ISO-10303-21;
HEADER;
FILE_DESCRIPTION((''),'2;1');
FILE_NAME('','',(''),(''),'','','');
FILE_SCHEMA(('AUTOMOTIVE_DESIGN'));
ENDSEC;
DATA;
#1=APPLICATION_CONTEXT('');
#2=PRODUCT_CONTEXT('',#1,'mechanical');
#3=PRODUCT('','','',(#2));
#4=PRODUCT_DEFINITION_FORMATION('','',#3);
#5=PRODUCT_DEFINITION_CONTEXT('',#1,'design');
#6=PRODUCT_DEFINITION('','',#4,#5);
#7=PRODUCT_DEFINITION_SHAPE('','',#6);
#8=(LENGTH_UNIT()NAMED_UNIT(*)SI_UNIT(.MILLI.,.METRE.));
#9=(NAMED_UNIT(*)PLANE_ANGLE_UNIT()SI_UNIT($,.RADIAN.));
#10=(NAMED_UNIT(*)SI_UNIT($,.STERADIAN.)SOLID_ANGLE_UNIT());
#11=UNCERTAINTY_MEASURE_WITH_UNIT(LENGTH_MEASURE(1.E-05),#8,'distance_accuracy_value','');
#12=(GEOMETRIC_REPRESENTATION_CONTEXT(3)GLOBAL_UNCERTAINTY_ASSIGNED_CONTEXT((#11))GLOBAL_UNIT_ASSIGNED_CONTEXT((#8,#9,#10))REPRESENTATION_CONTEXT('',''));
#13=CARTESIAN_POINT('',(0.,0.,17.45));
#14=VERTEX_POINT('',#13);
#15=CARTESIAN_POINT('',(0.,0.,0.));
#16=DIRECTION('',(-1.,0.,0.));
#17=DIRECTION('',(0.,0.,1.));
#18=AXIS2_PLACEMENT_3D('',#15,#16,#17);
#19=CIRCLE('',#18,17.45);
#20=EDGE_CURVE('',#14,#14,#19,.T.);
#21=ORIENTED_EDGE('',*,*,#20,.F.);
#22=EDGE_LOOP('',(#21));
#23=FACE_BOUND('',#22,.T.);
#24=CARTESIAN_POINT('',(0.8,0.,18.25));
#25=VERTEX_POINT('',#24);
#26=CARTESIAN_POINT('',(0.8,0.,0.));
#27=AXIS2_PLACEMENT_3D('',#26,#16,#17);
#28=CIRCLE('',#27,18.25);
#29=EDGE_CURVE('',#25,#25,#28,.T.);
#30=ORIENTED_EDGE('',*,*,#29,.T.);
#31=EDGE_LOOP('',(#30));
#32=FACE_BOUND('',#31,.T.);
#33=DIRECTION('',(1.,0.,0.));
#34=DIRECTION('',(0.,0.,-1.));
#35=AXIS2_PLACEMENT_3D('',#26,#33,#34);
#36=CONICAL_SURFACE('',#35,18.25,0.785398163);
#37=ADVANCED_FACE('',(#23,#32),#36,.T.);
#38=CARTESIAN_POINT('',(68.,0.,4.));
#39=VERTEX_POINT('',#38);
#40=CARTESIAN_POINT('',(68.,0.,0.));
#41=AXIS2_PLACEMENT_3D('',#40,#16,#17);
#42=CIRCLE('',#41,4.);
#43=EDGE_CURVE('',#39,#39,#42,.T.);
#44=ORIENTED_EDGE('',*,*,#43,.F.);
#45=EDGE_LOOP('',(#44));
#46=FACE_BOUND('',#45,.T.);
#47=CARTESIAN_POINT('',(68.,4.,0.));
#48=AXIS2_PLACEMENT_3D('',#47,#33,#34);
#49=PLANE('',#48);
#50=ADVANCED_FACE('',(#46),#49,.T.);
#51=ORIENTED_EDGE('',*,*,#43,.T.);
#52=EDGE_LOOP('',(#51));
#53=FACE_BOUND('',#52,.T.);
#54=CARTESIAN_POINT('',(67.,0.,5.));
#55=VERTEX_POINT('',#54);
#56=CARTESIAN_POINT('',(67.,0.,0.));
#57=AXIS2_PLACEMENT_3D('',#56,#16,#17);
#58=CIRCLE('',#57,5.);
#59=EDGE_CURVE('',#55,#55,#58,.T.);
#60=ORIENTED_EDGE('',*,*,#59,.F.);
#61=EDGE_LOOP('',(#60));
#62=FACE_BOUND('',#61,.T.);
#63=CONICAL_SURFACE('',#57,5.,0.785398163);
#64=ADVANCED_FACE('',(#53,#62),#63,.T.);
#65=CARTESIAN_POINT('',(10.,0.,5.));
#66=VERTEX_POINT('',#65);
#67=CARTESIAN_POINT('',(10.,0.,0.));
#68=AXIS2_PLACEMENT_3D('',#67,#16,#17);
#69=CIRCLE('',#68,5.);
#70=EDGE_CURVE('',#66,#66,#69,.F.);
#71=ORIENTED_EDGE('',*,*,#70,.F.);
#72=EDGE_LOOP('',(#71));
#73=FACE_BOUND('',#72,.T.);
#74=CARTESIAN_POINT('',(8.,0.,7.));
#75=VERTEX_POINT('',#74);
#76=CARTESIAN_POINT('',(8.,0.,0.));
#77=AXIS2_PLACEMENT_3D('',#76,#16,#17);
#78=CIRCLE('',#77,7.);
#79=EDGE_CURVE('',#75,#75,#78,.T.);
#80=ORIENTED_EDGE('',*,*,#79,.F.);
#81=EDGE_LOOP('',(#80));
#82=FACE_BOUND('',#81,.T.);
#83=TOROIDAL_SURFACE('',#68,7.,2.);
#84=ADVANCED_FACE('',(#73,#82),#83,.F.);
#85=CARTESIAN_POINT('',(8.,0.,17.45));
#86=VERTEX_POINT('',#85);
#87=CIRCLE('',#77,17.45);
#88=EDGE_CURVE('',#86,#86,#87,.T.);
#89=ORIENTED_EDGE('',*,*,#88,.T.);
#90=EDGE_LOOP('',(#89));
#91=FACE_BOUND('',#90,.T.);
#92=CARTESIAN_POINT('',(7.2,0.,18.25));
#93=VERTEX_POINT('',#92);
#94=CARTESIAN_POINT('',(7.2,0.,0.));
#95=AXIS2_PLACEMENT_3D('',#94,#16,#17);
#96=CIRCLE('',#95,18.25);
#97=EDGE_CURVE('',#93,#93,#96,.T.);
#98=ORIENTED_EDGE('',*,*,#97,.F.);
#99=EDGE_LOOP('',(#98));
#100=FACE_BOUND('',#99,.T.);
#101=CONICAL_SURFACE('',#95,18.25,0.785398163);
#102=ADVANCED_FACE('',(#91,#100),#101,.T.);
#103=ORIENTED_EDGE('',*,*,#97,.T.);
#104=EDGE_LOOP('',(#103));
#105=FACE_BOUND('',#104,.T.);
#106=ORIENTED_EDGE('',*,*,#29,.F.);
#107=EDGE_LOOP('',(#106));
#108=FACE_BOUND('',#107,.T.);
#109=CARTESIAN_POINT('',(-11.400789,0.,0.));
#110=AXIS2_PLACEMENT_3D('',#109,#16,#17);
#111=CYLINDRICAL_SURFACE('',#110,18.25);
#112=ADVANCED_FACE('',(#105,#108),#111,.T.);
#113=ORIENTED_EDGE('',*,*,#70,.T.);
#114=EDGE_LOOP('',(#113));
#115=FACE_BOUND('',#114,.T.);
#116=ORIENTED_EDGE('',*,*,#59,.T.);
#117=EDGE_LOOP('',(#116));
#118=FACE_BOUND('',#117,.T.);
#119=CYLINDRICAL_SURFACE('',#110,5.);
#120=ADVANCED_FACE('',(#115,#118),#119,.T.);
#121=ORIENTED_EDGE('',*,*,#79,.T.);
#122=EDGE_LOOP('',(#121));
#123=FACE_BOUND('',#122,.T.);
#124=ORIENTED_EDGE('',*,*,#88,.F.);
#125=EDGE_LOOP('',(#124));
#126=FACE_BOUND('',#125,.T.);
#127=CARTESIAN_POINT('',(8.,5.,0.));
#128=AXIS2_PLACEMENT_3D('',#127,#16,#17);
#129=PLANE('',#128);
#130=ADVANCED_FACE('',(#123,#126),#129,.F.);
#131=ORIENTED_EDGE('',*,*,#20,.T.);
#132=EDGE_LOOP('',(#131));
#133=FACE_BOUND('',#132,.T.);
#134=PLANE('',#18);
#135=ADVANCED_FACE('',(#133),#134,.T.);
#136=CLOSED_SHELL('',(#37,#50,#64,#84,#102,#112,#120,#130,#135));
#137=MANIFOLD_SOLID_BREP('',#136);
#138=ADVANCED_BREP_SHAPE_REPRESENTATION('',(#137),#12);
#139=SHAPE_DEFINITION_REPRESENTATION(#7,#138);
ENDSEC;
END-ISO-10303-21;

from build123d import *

# Parameters (mm, degrees)
FILLET2_R     = 2
SKETCH1_R     = 0.5
NOTHING_DEPTH = 2


with BuildPart() as part:
    # BodySke → Base-Revolve (revolve)
    with BuildSketch(Plane.XY, mode=Mode.PRIVATE) as base_revolve_sk:
        Polygon((67, 5), (68, 4), (68, 0), (0, 0), (0, 17.45), (0.8, 18.25), (7.2, 18.25), (8, 17.45), (8, 5), align=None)
    revolve(base_revolve_sk.sketch.rotate(Axis((-11.400788802, 0, 0), (1, 0, 0)), 90), axis=Axis((-11.400788802, 0, 0), (1, 0, 0)))

    # Fillet2
    fillet2_edges = [part.edges().sort_by_distance(p)[0] for p in [
        (8, 0, -5),
    ]]
    fillet(fillet2_edges, radius=FILLET2_R)

    # Sketch1 → Nothing (add)
    with BuildSketch(Plane(origin=(68, 0, 0), x_dir=(0, 0, -1), z_dir=(1, 0, 0))):
        Circle(SKETCH1_R)
    extrude(amount=-NOTHING_DEPTH)


solid = part.part
